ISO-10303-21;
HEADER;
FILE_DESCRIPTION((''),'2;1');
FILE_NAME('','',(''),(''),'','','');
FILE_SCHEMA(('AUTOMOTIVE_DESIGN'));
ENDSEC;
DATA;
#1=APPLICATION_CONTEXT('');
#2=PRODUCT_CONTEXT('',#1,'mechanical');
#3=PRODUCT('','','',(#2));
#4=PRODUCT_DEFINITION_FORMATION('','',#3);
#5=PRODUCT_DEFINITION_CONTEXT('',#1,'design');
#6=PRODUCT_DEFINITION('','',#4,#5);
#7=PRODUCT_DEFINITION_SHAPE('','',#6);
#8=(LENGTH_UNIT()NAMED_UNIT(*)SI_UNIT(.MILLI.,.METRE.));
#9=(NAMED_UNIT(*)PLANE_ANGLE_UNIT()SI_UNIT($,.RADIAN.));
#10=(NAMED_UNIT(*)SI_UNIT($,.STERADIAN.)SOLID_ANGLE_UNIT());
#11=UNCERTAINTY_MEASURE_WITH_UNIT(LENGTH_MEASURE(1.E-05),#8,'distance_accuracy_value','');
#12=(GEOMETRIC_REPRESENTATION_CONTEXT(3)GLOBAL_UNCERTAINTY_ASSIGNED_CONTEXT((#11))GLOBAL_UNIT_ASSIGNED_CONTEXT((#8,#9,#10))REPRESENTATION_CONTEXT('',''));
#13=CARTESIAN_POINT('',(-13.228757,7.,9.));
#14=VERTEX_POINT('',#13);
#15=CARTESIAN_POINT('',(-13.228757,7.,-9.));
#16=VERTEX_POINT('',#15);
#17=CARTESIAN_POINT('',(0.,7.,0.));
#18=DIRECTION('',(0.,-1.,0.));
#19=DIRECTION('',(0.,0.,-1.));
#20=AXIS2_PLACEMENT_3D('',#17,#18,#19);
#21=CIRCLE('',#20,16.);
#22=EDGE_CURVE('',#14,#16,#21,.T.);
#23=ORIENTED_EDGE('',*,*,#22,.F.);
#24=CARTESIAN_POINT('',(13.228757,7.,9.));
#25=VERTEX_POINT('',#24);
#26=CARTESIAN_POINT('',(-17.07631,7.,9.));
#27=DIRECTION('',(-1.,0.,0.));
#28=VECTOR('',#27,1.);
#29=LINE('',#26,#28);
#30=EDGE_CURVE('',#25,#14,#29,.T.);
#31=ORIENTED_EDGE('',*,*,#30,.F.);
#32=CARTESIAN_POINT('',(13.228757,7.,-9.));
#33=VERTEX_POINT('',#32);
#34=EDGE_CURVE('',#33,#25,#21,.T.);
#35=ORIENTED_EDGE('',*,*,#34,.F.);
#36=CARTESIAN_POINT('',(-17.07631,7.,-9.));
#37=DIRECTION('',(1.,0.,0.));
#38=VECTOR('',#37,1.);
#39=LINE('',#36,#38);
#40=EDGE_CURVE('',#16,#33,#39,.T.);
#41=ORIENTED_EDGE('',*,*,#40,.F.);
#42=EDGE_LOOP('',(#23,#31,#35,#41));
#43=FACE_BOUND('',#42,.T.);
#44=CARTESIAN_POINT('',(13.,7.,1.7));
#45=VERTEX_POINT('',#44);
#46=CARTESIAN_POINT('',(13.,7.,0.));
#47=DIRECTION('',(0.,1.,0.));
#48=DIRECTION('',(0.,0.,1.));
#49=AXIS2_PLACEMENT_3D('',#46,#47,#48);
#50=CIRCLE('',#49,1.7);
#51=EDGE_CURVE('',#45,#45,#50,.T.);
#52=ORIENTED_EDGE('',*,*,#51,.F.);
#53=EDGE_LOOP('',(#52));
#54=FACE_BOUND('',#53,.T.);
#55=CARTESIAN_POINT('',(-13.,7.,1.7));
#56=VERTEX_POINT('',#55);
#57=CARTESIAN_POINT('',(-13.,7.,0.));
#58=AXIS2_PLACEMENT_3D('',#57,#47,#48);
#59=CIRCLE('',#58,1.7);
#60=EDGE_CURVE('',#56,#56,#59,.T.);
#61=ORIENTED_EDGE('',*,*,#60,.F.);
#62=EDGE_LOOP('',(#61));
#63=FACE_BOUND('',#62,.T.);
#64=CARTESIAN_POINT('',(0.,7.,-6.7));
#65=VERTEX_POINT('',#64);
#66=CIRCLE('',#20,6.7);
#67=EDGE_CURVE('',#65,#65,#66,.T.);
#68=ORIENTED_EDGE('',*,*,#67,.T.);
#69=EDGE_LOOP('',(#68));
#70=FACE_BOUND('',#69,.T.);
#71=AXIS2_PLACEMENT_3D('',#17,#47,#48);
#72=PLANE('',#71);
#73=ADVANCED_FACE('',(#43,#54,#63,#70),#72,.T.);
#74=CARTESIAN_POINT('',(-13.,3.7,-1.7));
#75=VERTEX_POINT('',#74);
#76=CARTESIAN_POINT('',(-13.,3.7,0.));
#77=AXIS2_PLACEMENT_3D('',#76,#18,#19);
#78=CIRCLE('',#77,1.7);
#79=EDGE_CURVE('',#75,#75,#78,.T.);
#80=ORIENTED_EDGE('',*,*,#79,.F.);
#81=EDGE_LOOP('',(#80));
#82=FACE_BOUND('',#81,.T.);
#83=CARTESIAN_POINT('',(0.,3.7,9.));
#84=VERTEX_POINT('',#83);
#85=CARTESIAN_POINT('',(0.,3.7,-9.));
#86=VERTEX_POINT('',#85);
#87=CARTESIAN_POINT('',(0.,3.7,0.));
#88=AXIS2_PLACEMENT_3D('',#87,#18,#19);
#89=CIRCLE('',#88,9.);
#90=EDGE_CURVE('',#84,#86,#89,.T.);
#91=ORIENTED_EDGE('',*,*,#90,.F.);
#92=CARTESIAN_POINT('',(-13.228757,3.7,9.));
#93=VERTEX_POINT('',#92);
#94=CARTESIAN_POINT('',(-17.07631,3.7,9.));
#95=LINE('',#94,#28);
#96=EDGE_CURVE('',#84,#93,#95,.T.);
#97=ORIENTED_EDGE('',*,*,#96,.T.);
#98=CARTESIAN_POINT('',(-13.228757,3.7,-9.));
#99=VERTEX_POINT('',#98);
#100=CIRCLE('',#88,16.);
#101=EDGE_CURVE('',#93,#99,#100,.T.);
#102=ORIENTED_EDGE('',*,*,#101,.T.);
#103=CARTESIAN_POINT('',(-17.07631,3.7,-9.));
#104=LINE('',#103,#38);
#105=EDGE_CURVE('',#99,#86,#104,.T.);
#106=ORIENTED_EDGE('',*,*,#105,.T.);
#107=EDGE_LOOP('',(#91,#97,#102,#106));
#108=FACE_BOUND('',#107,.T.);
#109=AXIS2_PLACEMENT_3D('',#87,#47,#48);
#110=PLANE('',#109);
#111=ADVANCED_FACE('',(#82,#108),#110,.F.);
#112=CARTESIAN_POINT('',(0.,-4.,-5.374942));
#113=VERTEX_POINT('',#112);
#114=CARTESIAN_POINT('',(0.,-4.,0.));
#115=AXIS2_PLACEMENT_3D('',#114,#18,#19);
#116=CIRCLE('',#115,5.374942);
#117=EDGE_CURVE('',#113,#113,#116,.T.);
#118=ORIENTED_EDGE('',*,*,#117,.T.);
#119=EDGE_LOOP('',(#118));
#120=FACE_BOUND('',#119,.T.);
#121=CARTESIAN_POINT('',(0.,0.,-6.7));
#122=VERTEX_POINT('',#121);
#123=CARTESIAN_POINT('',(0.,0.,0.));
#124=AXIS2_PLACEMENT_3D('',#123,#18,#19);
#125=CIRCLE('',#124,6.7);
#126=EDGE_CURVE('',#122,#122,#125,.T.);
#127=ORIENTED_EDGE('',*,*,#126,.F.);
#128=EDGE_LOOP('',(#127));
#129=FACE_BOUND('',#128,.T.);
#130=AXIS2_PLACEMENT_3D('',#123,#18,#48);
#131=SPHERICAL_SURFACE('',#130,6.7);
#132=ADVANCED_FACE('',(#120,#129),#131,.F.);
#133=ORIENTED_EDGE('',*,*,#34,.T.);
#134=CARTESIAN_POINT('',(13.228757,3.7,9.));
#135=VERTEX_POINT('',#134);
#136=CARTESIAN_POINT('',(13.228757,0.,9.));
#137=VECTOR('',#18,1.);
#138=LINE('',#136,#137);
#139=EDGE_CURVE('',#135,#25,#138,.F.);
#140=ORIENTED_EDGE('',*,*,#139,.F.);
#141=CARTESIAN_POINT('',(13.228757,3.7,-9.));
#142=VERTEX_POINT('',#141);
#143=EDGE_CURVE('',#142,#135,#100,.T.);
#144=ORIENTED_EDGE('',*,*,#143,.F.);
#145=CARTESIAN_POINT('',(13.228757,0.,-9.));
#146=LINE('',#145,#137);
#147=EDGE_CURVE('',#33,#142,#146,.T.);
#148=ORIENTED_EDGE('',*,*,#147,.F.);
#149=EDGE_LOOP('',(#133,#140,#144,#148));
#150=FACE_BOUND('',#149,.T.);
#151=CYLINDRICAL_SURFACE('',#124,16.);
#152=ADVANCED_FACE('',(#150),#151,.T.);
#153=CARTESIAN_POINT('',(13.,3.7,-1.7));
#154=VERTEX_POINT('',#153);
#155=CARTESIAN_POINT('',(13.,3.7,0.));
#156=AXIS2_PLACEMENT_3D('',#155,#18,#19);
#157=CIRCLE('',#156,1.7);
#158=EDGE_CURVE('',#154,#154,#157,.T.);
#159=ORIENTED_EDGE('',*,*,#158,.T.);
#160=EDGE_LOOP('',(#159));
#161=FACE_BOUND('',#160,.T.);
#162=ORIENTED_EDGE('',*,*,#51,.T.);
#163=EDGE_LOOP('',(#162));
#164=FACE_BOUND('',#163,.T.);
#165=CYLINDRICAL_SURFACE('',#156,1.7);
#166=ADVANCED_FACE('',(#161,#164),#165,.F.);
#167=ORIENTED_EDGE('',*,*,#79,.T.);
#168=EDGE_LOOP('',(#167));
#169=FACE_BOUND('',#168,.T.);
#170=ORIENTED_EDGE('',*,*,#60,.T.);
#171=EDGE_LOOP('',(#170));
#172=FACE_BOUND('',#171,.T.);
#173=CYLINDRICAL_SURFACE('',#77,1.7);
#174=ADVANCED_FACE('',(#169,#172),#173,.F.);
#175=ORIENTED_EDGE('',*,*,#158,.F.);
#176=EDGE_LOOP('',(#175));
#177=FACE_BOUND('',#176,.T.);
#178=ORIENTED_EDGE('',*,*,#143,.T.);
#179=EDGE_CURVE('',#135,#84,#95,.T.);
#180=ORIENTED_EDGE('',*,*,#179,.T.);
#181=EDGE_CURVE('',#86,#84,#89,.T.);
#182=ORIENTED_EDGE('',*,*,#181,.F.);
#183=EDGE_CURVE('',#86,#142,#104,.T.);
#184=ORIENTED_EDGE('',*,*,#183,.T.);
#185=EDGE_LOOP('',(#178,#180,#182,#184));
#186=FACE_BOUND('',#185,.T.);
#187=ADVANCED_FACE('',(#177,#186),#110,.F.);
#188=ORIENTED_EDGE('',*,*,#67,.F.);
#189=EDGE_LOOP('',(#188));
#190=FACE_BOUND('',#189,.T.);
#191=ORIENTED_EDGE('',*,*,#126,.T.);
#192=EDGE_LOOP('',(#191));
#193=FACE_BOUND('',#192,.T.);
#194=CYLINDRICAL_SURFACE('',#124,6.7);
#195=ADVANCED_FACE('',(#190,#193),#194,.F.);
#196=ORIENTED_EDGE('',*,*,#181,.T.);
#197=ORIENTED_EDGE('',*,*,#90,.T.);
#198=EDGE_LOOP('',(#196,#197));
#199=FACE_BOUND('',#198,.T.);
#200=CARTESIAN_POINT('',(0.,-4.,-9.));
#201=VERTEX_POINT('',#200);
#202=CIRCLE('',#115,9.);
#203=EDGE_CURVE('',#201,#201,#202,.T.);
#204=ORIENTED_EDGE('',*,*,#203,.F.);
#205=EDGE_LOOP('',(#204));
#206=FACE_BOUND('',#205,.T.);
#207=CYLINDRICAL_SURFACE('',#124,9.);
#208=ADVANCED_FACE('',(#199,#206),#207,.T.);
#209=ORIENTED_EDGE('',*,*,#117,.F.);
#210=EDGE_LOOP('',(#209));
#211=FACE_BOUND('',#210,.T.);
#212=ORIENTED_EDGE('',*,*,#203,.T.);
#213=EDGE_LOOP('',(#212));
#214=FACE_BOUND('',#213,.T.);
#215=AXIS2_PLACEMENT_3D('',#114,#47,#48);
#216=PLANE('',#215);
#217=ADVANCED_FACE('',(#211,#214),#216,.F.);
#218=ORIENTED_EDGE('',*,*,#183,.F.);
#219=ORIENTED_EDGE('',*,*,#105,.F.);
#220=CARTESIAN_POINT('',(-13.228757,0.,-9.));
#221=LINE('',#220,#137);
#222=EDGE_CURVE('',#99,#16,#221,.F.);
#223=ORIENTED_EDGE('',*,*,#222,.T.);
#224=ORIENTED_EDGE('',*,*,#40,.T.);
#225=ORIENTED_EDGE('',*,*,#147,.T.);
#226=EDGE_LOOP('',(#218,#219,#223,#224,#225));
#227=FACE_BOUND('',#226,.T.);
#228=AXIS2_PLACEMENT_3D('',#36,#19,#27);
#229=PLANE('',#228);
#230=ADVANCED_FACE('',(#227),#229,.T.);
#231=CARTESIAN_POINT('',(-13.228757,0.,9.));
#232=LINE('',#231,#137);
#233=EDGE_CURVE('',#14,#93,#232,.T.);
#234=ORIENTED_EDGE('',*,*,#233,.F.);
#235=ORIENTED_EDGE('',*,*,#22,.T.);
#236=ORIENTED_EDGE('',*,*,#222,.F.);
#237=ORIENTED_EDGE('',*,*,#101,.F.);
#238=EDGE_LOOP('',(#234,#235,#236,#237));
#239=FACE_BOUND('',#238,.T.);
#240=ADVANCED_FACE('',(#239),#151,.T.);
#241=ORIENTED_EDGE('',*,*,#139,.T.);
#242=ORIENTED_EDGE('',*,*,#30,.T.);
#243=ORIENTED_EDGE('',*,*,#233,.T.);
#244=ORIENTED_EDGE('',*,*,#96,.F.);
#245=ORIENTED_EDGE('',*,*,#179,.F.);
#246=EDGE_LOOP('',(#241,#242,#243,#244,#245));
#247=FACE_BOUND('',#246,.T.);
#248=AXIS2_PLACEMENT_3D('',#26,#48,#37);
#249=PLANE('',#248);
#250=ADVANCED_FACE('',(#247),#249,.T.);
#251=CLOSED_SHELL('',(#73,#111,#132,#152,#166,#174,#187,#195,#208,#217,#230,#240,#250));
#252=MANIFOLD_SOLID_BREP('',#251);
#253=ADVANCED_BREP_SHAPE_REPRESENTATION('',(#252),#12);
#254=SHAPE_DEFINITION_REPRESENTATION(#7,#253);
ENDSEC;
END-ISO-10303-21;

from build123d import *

# Parameters (mm, degrees)
CIRPATTERN2_COUNT  = 2
SKETCH5_W          = 50.426982916
SKETCH5_H          = 37.261009064
SKETCH5_W_2        = 37.991098709
SKETCH5_H_2        = 18
CUT_EXTRUDE1_DEPTH = 4.3


with BuildPart() as part:
    # Sketch1 → Revolve1 (revolve)
    with BuildSketch(Plane(origin=(0, 0, 0), x_dir=(0, 0, -1), z_dir=(1, 0, 0))):
        with BuildLine():
            ThreePointArc((-6.7, 0), (-6.360114404, -2.10688034), (-5.37494186, -4))
            Line((-5.37494186, -4), (-9, -4))
            Line((-9, -4), (-9, 3.7))
            Line((-9, 3.7), (-16, 3.7))
            Line((-16, 3.7), (-16, 7))
            Line((-16, 7), (-6.7, 7))
            Line((-6.7, 7), (-6.7, 0))
        make_face()
    revolve(axis=Axis((0, 0, 0), (0, 1, 0)))

    # Sketch3 → M3 Clearance Hole1 (revolve, cut)
    with BuildSketch(Plane(origin=(-13, 3.7, 0), x_dir=(0, 0, -1), z_dir=(1, 0, 0))):
        Polygon((0, 0), (0, 11.021463052), (1.7, 10), (1.7, 0), align=None)
    m3_clearance_hole1 = revolve(axis=Axis((-13, -2.65, 0), (0, 1, 0)), mode=Mode.SUBTRACT)

    # CirPattern2: M3 Clearance Hole1 ×2 about axis
    cirpattern2_axis = Axis((0, 0, 0), (0, 1, 0))
    for i in range(1, CIRPATTERN2_COUNT):
        add(m3_clearance_hole1.rotate(cirpattern2_axis, i * 360 / CIRPATTERN2_COUNT), mode=Mode.SUBTRACT)

    # Sketch5 → Cut-Extrude1 (cut, through all)
    with BuildSketch(Plane.XZ.offset(-3.7)):
        with Locations((1.488148737, -0.857756759)):
            Rectangle(SKETCH5_W, SKETCH5_H)
        with Locations((1.919239442, 0)):
            Rectangle(SKETCH5_W_2, SKETCH5_H_2, mode=Mode.SUBTRACT)
    extrude(amount=-CUT_EXTRUDE1_DEPTH, mode=Mode.SUBTRACT)


solid = part.part
